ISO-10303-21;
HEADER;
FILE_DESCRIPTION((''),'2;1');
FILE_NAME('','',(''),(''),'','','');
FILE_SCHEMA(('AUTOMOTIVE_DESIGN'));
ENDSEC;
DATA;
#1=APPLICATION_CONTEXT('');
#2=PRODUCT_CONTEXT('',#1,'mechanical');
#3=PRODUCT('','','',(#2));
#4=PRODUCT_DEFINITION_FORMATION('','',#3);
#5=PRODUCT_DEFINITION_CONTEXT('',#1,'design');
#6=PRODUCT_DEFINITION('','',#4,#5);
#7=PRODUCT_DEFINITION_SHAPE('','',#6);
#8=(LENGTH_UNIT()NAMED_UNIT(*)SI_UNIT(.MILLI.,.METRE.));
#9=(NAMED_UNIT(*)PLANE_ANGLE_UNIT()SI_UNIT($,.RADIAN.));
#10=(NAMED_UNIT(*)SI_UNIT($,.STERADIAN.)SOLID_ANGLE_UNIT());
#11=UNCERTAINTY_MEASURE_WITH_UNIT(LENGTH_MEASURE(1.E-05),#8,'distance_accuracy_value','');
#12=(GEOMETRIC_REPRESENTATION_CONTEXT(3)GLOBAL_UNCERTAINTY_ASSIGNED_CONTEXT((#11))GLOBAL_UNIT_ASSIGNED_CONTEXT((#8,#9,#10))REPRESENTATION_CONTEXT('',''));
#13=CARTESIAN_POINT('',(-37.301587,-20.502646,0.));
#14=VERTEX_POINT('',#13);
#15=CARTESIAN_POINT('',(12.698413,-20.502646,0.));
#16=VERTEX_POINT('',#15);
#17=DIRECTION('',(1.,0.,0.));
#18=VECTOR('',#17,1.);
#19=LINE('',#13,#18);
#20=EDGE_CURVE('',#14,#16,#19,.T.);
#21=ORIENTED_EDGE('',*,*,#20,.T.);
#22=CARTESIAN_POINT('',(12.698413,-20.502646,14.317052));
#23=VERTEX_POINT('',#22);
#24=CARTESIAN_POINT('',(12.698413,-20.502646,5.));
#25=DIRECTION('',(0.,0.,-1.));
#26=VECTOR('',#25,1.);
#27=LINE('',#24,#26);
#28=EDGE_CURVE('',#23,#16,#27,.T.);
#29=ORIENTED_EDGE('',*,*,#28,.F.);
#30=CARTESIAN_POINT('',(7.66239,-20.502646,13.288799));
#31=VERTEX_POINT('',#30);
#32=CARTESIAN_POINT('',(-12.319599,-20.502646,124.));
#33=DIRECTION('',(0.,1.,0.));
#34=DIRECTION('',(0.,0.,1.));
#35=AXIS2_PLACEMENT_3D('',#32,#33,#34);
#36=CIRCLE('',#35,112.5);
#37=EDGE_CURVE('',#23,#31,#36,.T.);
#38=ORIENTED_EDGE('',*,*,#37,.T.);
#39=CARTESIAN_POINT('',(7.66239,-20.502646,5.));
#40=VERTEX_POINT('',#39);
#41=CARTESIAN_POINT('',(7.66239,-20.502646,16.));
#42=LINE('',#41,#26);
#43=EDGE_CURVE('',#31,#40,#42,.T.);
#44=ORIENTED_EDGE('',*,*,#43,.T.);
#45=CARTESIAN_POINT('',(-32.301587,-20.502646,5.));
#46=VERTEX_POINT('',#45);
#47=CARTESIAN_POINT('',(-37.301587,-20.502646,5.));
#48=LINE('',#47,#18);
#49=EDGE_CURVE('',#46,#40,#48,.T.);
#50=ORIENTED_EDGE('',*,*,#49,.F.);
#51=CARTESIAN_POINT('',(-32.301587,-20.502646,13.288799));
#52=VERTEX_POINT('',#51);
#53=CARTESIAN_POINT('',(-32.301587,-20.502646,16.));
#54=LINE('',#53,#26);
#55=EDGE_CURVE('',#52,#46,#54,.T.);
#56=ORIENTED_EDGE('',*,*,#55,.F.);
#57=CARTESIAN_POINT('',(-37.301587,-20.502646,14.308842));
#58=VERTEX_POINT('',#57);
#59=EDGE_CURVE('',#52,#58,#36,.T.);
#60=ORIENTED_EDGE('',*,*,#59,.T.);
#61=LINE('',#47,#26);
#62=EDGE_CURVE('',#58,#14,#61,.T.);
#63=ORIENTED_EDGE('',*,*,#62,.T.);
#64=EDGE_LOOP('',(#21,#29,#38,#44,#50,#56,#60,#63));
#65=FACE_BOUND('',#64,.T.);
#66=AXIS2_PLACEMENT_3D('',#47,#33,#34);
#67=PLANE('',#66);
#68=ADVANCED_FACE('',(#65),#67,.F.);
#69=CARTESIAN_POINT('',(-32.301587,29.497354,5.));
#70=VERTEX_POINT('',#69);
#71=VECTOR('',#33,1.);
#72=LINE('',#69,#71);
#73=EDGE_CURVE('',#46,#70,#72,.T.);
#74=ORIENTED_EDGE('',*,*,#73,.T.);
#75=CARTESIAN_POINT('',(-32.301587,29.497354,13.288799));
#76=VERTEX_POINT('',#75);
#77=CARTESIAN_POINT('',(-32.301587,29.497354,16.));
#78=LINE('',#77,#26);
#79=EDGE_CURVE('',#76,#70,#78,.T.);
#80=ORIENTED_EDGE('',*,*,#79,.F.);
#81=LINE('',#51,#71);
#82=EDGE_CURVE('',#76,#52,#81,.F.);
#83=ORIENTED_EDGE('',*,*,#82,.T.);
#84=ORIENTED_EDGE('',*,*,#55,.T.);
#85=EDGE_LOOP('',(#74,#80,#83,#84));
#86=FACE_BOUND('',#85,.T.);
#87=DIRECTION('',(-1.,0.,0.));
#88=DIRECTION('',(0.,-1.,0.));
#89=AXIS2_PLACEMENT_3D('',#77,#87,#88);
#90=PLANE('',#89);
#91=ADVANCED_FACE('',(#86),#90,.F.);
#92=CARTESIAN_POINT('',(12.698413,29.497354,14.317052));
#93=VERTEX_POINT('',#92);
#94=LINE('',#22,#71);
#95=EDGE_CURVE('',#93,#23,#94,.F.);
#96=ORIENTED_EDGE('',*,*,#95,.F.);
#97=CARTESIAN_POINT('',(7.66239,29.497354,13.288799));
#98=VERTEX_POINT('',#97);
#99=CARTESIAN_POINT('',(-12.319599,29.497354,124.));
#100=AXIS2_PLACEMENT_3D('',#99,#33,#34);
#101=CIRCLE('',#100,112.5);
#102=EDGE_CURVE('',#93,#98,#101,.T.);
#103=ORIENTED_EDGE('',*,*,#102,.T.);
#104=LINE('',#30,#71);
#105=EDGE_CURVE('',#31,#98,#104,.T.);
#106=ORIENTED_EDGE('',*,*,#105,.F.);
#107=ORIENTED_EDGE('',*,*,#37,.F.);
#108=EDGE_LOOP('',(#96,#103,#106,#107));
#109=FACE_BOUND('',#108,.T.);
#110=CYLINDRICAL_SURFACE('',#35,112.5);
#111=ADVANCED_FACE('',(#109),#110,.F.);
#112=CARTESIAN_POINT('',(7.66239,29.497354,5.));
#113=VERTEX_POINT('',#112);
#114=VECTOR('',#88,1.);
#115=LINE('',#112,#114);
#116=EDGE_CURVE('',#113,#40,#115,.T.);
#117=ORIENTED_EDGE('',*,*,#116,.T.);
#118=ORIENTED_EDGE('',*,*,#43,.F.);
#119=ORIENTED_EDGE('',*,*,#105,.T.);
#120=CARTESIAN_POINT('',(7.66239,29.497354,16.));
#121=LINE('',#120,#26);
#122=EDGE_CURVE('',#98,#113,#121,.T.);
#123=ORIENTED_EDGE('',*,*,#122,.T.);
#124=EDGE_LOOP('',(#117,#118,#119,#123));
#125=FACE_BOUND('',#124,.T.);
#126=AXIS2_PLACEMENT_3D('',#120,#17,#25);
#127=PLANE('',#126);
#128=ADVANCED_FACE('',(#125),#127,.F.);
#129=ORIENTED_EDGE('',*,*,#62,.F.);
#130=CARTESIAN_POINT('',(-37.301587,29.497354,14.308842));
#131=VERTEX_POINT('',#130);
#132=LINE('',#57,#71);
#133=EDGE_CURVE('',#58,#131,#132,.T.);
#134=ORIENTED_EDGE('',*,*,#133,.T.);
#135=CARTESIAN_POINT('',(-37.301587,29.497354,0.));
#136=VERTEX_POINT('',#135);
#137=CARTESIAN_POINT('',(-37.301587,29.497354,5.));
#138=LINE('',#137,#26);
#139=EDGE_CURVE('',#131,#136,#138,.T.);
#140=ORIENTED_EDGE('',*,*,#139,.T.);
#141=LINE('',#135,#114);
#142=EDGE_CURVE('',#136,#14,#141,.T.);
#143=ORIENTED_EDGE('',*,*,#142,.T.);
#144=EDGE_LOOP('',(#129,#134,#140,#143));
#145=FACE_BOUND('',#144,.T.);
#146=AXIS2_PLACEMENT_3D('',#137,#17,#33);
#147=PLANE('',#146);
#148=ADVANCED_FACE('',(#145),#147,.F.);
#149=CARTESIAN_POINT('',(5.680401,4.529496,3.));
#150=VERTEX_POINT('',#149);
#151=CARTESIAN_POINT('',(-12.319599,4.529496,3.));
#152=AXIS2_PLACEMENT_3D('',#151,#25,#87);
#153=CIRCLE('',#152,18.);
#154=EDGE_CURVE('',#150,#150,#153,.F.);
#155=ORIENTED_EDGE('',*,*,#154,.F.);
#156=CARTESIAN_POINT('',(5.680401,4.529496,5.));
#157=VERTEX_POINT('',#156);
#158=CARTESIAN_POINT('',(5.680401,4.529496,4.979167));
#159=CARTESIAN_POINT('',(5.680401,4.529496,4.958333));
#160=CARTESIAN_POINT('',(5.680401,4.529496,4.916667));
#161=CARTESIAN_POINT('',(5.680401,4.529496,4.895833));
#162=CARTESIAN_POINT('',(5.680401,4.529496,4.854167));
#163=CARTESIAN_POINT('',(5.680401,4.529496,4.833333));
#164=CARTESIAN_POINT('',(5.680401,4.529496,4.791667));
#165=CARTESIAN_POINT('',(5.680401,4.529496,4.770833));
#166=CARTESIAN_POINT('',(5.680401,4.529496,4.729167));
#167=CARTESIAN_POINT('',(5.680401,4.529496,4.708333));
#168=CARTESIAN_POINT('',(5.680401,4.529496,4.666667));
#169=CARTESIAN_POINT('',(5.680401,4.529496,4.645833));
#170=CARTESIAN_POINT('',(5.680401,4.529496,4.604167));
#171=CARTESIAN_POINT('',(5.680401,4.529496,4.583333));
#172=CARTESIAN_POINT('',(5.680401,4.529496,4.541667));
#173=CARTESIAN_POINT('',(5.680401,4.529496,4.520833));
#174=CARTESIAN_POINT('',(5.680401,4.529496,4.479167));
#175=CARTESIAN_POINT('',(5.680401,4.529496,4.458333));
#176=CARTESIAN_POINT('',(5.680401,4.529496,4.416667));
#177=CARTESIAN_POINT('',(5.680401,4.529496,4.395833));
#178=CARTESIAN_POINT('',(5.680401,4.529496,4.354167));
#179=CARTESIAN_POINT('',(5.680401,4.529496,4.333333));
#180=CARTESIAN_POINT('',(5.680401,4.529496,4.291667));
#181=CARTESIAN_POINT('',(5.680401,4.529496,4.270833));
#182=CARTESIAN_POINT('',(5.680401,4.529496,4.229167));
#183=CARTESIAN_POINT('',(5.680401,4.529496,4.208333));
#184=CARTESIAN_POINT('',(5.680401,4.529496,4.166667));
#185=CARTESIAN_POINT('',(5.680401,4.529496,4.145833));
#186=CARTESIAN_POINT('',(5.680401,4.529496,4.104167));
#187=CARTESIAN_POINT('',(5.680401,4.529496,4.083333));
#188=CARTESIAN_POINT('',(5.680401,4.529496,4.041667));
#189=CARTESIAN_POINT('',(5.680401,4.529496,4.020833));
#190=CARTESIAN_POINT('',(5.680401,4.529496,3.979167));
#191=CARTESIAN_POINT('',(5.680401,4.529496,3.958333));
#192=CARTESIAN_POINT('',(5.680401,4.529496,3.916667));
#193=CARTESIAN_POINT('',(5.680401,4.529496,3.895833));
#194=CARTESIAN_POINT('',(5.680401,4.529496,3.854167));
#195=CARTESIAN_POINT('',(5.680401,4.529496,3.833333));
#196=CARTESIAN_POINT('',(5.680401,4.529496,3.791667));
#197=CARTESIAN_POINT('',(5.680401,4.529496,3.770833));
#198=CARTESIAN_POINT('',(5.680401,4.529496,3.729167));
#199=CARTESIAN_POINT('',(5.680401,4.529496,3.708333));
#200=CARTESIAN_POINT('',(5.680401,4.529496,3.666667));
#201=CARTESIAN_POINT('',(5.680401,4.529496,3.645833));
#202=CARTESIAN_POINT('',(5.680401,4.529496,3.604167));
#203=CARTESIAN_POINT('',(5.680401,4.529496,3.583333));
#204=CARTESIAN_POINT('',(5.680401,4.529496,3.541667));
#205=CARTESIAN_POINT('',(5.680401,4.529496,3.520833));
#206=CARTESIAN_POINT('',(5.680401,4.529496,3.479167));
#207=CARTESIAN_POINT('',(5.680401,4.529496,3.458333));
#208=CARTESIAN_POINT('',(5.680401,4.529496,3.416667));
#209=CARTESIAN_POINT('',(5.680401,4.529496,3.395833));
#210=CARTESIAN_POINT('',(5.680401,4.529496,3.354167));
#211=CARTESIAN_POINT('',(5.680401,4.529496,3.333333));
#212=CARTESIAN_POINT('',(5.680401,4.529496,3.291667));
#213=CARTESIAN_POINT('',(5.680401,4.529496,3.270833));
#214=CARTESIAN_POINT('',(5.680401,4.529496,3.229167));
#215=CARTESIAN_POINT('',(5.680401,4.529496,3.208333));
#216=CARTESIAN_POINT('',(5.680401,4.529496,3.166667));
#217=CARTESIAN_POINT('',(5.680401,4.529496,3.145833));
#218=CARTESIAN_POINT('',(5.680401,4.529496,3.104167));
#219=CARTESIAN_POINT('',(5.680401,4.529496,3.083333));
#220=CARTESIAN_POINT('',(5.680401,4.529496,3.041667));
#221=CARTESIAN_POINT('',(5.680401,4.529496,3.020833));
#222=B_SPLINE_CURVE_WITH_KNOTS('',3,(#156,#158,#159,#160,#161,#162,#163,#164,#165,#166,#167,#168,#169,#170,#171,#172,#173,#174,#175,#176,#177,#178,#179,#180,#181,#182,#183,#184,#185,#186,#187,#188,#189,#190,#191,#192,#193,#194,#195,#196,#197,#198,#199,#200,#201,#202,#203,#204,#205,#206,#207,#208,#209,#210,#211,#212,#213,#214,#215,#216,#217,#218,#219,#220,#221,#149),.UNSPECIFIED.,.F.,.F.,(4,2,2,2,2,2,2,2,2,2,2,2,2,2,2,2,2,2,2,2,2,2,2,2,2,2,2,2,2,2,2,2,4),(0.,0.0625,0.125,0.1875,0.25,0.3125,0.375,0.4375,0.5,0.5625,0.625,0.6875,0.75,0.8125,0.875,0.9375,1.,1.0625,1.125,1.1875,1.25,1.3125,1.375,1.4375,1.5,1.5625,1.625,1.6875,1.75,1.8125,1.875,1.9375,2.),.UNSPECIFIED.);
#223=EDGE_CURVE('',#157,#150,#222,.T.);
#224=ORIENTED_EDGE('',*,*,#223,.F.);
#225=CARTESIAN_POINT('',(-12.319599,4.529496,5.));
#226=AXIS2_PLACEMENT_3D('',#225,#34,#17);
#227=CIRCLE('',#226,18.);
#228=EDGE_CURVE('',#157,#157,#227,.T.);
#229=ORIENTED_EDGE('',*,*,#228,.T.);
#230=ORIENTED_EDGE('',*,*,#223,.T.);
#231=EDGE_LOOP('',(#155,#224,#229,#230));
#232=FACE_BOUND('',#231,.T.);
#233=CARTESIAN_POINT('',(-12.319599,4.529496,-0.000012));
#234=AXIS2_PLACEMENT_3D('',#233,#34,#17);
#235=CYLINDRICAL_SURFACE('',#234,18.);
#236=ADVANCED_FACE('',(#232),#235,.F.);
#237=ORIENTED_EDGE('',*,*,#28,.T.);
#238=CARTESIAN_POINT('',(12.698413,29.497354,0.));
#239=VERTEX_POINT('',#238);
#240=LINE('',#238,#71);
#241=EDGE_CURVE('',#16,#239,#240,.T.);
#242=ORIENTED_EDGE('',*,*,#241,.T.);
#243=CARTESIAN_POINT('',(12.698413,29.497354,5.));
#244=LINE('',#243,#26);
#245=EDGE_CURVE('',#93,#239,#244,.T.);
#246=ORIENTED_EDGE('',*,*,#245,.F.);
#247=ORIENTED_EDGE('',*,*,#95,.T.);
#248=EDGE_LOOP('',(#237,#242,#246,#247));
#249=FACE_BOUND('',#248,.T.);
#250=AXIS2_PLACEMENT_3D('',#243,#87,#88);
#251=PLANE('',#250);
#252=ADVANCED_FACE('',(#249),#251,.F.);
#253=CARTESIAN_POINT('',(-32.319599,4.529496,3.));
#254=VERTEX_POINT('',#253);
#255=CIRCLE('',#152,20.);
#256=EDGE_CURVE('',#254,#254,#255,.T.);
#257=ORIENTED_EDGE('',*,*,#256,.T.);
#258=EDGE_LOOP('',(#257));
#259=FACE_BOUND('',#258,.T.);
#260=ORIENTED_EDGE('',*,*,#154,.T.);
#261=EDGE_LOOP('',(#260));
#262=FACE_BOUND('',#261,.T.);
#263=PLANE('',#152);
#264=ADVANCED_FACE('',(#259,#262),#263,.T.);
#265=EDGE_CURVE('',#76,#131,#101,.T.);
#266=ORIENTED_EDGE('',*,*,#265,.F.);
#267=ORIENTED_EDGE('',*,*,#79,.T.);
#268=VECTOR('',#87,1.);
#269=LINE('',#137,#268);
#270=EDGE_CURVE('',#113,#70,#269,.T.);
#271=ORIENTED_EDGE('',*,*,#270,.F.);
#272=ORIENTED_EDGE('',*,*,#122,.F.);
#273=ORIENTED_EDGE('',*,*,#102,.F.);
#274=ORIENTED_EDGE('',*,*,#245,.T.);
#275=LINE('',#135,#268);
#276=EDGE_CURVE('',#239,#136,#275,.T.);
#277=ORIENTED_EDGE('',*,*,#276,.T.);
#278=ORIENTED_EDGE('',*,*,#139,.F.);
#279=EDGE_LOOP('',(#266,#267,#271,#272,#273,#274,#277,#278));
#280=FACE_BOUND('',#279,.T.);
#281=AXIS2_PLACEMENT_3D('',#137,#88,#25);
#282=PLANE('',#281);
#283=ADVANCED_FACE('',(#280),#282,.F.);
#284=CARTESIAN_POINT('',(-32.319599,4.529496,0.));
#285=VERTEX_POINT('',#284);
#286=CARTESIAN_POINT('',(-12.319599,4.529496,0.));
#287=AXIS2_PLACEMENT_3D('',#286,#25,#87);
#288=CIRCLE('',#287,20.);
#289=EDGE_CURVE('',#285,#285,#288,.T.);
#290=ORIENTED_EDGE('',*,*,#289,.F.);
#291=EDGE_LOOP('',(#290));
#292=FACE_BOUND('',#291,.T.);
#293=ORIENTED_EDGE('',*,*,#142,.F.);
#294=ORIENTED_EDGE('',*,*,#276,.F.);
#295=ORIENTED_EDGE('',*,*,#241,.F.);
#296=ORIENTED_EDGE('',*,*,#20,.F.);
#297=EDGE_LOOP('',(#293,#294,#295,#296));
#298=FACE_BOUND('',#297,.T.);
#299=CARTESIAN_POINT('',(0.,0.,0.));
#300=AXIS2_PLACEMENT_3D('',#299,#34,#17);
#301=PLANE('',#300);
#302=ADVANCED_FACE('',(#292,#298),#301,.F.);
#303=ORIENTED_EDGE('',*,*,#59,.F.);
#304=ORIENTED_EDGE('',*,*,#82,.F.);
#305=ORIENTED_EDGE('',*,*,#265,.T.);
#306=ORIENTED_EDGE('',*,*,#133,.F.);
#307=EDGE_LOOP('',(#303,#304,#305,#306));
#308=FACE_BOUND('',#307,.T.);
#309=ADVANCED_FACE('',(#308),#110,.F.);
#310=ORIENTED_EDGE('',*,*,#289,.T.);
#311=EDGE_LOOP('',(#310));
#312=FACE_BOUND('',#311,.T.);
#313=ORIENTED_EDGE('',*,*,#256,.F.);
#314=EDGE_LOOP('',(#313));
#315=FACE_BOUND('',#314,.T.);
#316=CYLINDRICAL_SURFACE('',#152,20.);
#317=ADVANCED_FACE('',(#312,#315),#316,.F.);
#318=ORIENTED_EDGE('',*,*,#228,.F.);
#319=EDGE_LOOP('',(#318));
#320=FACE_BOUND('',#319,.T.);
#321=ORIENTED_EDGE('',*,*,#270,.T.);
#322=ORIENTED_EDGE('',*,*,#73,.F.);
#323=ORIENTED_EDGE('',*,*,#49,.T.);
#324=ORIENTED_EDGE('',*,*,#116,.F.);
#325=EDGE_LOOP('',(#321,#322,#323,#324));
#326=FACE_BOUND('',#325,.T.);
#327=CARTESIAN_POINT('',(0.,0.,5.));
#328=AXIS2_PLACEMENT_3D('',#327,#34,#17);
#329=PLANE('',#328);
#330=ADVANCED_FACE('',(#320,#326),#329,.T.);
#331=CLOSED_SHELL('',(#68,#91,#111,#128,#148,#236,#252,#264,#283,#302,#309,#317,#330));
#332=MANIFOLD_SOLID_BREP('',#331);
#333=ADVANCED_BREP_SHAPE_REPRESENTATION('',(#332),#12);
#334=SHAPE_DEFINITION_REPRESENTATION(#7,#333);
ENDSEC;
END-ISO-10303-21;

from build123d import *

# Parameters (mm, degrees)
SKETCH2_W               = 50
SKETCH2_H               = 50
BOSS_EXTRUDE1_DEPTH     = 5
SKETCH3_W               = 5
SKETCH3_H               = 50
SKETCH3_W_2             = 5.036023039
BOSS_EXTRUDE2_DEPTH     = 11
CUT_EXTRUDE3_DEPTH      = 51.174718111
CUT_EXTRUDE3_DEPTH_BACK = 51.174718111
SKETCH5_R               = 18
SKETCH6_R               = 20
CUT_EXTRUDE4_DEPTH      = 3
CUT_EXTRUDE5_DEPTH      = 51.174718111
CUT_EXTRUDE5_DEPTH_BACK = 51.174718111
SKETCH7_R               = 112.5


with BuildPart() as part:
    # Sketch2 → Boss-Extrude1 (new body)
    with BuildSketch(Plane.XY):
        with Locations((-12.301587302, 4.497354497)):
            Rectangle(SKETCH2_W, SKETCH2_H)
    extrude(amount=BOSS_EXTRUDE1_DEPTH)

    # Sketch3 → Boss-Extrude2 (add)
    with BuildSketch(Plane.XY.offset(5)):
        with Locations((-34.801587302, 4.497354497)):
            Rectangle(SKETCH3_W, SKETCH3_H)
        with Locations((10.180401179, 4.497354497)):
            Rectangle(SKETCH3_W_2, SKETCH3_H)
    extrude(amount=BOSS_EXTRUDE2_DEPTH)

    # Sketch5 → Cut-Extrude3 (cut, two sides: drawn at the far end of the back side and taken through both)
    with BuildSketch(Plane.XY.offset(-CUT_EXTRUDE3_DEPTH_BACK)):
        with Locations((-12.319598821, 4.529496056)):
            Circle(SKETCH5_R)
    extrude(amount=CUT_EXTRUDE3_DEPTH + CUT_EXTRUDE3_DEPTH_BACK, mode=Mode.SUBTRACT)

    # Sketch6 → Cut-Extrude4 (cut)
    with BuildSketch(Plane(origin=(0, 0, 0), x_dir=(-1, 0, 0), z_dir=(0, 0, -1))):
        with Locations((12.319598821, 4.529496056)):
            Circle(SKETCH6_R)
    extrude(amount=-CUT_EXTRUDE4_DEPTH, mode=Mode.SUBTRACT)

    # Sketch7 → Cut-Extrude5 (cut, two sides: drawn at the far end of the back side and taken through both)
    with BuildSketch(Plane(origin=(0, 0, 0), x_dir=(1, 0, 0), z_dir=(0, 1, 0)).offset(-CUT_EXTRUDE5_DEPTH_BACK)):
        with Locations((-12.319598821, -124)):
            Circle(SKETCH7_R)
    extrude(amount=CUT_EXTRUDE5_DEPTH + CUT_EXTRUDE5_DEPTH_BACK, mode=Mode.SUBTRACT)


solid = part.part
